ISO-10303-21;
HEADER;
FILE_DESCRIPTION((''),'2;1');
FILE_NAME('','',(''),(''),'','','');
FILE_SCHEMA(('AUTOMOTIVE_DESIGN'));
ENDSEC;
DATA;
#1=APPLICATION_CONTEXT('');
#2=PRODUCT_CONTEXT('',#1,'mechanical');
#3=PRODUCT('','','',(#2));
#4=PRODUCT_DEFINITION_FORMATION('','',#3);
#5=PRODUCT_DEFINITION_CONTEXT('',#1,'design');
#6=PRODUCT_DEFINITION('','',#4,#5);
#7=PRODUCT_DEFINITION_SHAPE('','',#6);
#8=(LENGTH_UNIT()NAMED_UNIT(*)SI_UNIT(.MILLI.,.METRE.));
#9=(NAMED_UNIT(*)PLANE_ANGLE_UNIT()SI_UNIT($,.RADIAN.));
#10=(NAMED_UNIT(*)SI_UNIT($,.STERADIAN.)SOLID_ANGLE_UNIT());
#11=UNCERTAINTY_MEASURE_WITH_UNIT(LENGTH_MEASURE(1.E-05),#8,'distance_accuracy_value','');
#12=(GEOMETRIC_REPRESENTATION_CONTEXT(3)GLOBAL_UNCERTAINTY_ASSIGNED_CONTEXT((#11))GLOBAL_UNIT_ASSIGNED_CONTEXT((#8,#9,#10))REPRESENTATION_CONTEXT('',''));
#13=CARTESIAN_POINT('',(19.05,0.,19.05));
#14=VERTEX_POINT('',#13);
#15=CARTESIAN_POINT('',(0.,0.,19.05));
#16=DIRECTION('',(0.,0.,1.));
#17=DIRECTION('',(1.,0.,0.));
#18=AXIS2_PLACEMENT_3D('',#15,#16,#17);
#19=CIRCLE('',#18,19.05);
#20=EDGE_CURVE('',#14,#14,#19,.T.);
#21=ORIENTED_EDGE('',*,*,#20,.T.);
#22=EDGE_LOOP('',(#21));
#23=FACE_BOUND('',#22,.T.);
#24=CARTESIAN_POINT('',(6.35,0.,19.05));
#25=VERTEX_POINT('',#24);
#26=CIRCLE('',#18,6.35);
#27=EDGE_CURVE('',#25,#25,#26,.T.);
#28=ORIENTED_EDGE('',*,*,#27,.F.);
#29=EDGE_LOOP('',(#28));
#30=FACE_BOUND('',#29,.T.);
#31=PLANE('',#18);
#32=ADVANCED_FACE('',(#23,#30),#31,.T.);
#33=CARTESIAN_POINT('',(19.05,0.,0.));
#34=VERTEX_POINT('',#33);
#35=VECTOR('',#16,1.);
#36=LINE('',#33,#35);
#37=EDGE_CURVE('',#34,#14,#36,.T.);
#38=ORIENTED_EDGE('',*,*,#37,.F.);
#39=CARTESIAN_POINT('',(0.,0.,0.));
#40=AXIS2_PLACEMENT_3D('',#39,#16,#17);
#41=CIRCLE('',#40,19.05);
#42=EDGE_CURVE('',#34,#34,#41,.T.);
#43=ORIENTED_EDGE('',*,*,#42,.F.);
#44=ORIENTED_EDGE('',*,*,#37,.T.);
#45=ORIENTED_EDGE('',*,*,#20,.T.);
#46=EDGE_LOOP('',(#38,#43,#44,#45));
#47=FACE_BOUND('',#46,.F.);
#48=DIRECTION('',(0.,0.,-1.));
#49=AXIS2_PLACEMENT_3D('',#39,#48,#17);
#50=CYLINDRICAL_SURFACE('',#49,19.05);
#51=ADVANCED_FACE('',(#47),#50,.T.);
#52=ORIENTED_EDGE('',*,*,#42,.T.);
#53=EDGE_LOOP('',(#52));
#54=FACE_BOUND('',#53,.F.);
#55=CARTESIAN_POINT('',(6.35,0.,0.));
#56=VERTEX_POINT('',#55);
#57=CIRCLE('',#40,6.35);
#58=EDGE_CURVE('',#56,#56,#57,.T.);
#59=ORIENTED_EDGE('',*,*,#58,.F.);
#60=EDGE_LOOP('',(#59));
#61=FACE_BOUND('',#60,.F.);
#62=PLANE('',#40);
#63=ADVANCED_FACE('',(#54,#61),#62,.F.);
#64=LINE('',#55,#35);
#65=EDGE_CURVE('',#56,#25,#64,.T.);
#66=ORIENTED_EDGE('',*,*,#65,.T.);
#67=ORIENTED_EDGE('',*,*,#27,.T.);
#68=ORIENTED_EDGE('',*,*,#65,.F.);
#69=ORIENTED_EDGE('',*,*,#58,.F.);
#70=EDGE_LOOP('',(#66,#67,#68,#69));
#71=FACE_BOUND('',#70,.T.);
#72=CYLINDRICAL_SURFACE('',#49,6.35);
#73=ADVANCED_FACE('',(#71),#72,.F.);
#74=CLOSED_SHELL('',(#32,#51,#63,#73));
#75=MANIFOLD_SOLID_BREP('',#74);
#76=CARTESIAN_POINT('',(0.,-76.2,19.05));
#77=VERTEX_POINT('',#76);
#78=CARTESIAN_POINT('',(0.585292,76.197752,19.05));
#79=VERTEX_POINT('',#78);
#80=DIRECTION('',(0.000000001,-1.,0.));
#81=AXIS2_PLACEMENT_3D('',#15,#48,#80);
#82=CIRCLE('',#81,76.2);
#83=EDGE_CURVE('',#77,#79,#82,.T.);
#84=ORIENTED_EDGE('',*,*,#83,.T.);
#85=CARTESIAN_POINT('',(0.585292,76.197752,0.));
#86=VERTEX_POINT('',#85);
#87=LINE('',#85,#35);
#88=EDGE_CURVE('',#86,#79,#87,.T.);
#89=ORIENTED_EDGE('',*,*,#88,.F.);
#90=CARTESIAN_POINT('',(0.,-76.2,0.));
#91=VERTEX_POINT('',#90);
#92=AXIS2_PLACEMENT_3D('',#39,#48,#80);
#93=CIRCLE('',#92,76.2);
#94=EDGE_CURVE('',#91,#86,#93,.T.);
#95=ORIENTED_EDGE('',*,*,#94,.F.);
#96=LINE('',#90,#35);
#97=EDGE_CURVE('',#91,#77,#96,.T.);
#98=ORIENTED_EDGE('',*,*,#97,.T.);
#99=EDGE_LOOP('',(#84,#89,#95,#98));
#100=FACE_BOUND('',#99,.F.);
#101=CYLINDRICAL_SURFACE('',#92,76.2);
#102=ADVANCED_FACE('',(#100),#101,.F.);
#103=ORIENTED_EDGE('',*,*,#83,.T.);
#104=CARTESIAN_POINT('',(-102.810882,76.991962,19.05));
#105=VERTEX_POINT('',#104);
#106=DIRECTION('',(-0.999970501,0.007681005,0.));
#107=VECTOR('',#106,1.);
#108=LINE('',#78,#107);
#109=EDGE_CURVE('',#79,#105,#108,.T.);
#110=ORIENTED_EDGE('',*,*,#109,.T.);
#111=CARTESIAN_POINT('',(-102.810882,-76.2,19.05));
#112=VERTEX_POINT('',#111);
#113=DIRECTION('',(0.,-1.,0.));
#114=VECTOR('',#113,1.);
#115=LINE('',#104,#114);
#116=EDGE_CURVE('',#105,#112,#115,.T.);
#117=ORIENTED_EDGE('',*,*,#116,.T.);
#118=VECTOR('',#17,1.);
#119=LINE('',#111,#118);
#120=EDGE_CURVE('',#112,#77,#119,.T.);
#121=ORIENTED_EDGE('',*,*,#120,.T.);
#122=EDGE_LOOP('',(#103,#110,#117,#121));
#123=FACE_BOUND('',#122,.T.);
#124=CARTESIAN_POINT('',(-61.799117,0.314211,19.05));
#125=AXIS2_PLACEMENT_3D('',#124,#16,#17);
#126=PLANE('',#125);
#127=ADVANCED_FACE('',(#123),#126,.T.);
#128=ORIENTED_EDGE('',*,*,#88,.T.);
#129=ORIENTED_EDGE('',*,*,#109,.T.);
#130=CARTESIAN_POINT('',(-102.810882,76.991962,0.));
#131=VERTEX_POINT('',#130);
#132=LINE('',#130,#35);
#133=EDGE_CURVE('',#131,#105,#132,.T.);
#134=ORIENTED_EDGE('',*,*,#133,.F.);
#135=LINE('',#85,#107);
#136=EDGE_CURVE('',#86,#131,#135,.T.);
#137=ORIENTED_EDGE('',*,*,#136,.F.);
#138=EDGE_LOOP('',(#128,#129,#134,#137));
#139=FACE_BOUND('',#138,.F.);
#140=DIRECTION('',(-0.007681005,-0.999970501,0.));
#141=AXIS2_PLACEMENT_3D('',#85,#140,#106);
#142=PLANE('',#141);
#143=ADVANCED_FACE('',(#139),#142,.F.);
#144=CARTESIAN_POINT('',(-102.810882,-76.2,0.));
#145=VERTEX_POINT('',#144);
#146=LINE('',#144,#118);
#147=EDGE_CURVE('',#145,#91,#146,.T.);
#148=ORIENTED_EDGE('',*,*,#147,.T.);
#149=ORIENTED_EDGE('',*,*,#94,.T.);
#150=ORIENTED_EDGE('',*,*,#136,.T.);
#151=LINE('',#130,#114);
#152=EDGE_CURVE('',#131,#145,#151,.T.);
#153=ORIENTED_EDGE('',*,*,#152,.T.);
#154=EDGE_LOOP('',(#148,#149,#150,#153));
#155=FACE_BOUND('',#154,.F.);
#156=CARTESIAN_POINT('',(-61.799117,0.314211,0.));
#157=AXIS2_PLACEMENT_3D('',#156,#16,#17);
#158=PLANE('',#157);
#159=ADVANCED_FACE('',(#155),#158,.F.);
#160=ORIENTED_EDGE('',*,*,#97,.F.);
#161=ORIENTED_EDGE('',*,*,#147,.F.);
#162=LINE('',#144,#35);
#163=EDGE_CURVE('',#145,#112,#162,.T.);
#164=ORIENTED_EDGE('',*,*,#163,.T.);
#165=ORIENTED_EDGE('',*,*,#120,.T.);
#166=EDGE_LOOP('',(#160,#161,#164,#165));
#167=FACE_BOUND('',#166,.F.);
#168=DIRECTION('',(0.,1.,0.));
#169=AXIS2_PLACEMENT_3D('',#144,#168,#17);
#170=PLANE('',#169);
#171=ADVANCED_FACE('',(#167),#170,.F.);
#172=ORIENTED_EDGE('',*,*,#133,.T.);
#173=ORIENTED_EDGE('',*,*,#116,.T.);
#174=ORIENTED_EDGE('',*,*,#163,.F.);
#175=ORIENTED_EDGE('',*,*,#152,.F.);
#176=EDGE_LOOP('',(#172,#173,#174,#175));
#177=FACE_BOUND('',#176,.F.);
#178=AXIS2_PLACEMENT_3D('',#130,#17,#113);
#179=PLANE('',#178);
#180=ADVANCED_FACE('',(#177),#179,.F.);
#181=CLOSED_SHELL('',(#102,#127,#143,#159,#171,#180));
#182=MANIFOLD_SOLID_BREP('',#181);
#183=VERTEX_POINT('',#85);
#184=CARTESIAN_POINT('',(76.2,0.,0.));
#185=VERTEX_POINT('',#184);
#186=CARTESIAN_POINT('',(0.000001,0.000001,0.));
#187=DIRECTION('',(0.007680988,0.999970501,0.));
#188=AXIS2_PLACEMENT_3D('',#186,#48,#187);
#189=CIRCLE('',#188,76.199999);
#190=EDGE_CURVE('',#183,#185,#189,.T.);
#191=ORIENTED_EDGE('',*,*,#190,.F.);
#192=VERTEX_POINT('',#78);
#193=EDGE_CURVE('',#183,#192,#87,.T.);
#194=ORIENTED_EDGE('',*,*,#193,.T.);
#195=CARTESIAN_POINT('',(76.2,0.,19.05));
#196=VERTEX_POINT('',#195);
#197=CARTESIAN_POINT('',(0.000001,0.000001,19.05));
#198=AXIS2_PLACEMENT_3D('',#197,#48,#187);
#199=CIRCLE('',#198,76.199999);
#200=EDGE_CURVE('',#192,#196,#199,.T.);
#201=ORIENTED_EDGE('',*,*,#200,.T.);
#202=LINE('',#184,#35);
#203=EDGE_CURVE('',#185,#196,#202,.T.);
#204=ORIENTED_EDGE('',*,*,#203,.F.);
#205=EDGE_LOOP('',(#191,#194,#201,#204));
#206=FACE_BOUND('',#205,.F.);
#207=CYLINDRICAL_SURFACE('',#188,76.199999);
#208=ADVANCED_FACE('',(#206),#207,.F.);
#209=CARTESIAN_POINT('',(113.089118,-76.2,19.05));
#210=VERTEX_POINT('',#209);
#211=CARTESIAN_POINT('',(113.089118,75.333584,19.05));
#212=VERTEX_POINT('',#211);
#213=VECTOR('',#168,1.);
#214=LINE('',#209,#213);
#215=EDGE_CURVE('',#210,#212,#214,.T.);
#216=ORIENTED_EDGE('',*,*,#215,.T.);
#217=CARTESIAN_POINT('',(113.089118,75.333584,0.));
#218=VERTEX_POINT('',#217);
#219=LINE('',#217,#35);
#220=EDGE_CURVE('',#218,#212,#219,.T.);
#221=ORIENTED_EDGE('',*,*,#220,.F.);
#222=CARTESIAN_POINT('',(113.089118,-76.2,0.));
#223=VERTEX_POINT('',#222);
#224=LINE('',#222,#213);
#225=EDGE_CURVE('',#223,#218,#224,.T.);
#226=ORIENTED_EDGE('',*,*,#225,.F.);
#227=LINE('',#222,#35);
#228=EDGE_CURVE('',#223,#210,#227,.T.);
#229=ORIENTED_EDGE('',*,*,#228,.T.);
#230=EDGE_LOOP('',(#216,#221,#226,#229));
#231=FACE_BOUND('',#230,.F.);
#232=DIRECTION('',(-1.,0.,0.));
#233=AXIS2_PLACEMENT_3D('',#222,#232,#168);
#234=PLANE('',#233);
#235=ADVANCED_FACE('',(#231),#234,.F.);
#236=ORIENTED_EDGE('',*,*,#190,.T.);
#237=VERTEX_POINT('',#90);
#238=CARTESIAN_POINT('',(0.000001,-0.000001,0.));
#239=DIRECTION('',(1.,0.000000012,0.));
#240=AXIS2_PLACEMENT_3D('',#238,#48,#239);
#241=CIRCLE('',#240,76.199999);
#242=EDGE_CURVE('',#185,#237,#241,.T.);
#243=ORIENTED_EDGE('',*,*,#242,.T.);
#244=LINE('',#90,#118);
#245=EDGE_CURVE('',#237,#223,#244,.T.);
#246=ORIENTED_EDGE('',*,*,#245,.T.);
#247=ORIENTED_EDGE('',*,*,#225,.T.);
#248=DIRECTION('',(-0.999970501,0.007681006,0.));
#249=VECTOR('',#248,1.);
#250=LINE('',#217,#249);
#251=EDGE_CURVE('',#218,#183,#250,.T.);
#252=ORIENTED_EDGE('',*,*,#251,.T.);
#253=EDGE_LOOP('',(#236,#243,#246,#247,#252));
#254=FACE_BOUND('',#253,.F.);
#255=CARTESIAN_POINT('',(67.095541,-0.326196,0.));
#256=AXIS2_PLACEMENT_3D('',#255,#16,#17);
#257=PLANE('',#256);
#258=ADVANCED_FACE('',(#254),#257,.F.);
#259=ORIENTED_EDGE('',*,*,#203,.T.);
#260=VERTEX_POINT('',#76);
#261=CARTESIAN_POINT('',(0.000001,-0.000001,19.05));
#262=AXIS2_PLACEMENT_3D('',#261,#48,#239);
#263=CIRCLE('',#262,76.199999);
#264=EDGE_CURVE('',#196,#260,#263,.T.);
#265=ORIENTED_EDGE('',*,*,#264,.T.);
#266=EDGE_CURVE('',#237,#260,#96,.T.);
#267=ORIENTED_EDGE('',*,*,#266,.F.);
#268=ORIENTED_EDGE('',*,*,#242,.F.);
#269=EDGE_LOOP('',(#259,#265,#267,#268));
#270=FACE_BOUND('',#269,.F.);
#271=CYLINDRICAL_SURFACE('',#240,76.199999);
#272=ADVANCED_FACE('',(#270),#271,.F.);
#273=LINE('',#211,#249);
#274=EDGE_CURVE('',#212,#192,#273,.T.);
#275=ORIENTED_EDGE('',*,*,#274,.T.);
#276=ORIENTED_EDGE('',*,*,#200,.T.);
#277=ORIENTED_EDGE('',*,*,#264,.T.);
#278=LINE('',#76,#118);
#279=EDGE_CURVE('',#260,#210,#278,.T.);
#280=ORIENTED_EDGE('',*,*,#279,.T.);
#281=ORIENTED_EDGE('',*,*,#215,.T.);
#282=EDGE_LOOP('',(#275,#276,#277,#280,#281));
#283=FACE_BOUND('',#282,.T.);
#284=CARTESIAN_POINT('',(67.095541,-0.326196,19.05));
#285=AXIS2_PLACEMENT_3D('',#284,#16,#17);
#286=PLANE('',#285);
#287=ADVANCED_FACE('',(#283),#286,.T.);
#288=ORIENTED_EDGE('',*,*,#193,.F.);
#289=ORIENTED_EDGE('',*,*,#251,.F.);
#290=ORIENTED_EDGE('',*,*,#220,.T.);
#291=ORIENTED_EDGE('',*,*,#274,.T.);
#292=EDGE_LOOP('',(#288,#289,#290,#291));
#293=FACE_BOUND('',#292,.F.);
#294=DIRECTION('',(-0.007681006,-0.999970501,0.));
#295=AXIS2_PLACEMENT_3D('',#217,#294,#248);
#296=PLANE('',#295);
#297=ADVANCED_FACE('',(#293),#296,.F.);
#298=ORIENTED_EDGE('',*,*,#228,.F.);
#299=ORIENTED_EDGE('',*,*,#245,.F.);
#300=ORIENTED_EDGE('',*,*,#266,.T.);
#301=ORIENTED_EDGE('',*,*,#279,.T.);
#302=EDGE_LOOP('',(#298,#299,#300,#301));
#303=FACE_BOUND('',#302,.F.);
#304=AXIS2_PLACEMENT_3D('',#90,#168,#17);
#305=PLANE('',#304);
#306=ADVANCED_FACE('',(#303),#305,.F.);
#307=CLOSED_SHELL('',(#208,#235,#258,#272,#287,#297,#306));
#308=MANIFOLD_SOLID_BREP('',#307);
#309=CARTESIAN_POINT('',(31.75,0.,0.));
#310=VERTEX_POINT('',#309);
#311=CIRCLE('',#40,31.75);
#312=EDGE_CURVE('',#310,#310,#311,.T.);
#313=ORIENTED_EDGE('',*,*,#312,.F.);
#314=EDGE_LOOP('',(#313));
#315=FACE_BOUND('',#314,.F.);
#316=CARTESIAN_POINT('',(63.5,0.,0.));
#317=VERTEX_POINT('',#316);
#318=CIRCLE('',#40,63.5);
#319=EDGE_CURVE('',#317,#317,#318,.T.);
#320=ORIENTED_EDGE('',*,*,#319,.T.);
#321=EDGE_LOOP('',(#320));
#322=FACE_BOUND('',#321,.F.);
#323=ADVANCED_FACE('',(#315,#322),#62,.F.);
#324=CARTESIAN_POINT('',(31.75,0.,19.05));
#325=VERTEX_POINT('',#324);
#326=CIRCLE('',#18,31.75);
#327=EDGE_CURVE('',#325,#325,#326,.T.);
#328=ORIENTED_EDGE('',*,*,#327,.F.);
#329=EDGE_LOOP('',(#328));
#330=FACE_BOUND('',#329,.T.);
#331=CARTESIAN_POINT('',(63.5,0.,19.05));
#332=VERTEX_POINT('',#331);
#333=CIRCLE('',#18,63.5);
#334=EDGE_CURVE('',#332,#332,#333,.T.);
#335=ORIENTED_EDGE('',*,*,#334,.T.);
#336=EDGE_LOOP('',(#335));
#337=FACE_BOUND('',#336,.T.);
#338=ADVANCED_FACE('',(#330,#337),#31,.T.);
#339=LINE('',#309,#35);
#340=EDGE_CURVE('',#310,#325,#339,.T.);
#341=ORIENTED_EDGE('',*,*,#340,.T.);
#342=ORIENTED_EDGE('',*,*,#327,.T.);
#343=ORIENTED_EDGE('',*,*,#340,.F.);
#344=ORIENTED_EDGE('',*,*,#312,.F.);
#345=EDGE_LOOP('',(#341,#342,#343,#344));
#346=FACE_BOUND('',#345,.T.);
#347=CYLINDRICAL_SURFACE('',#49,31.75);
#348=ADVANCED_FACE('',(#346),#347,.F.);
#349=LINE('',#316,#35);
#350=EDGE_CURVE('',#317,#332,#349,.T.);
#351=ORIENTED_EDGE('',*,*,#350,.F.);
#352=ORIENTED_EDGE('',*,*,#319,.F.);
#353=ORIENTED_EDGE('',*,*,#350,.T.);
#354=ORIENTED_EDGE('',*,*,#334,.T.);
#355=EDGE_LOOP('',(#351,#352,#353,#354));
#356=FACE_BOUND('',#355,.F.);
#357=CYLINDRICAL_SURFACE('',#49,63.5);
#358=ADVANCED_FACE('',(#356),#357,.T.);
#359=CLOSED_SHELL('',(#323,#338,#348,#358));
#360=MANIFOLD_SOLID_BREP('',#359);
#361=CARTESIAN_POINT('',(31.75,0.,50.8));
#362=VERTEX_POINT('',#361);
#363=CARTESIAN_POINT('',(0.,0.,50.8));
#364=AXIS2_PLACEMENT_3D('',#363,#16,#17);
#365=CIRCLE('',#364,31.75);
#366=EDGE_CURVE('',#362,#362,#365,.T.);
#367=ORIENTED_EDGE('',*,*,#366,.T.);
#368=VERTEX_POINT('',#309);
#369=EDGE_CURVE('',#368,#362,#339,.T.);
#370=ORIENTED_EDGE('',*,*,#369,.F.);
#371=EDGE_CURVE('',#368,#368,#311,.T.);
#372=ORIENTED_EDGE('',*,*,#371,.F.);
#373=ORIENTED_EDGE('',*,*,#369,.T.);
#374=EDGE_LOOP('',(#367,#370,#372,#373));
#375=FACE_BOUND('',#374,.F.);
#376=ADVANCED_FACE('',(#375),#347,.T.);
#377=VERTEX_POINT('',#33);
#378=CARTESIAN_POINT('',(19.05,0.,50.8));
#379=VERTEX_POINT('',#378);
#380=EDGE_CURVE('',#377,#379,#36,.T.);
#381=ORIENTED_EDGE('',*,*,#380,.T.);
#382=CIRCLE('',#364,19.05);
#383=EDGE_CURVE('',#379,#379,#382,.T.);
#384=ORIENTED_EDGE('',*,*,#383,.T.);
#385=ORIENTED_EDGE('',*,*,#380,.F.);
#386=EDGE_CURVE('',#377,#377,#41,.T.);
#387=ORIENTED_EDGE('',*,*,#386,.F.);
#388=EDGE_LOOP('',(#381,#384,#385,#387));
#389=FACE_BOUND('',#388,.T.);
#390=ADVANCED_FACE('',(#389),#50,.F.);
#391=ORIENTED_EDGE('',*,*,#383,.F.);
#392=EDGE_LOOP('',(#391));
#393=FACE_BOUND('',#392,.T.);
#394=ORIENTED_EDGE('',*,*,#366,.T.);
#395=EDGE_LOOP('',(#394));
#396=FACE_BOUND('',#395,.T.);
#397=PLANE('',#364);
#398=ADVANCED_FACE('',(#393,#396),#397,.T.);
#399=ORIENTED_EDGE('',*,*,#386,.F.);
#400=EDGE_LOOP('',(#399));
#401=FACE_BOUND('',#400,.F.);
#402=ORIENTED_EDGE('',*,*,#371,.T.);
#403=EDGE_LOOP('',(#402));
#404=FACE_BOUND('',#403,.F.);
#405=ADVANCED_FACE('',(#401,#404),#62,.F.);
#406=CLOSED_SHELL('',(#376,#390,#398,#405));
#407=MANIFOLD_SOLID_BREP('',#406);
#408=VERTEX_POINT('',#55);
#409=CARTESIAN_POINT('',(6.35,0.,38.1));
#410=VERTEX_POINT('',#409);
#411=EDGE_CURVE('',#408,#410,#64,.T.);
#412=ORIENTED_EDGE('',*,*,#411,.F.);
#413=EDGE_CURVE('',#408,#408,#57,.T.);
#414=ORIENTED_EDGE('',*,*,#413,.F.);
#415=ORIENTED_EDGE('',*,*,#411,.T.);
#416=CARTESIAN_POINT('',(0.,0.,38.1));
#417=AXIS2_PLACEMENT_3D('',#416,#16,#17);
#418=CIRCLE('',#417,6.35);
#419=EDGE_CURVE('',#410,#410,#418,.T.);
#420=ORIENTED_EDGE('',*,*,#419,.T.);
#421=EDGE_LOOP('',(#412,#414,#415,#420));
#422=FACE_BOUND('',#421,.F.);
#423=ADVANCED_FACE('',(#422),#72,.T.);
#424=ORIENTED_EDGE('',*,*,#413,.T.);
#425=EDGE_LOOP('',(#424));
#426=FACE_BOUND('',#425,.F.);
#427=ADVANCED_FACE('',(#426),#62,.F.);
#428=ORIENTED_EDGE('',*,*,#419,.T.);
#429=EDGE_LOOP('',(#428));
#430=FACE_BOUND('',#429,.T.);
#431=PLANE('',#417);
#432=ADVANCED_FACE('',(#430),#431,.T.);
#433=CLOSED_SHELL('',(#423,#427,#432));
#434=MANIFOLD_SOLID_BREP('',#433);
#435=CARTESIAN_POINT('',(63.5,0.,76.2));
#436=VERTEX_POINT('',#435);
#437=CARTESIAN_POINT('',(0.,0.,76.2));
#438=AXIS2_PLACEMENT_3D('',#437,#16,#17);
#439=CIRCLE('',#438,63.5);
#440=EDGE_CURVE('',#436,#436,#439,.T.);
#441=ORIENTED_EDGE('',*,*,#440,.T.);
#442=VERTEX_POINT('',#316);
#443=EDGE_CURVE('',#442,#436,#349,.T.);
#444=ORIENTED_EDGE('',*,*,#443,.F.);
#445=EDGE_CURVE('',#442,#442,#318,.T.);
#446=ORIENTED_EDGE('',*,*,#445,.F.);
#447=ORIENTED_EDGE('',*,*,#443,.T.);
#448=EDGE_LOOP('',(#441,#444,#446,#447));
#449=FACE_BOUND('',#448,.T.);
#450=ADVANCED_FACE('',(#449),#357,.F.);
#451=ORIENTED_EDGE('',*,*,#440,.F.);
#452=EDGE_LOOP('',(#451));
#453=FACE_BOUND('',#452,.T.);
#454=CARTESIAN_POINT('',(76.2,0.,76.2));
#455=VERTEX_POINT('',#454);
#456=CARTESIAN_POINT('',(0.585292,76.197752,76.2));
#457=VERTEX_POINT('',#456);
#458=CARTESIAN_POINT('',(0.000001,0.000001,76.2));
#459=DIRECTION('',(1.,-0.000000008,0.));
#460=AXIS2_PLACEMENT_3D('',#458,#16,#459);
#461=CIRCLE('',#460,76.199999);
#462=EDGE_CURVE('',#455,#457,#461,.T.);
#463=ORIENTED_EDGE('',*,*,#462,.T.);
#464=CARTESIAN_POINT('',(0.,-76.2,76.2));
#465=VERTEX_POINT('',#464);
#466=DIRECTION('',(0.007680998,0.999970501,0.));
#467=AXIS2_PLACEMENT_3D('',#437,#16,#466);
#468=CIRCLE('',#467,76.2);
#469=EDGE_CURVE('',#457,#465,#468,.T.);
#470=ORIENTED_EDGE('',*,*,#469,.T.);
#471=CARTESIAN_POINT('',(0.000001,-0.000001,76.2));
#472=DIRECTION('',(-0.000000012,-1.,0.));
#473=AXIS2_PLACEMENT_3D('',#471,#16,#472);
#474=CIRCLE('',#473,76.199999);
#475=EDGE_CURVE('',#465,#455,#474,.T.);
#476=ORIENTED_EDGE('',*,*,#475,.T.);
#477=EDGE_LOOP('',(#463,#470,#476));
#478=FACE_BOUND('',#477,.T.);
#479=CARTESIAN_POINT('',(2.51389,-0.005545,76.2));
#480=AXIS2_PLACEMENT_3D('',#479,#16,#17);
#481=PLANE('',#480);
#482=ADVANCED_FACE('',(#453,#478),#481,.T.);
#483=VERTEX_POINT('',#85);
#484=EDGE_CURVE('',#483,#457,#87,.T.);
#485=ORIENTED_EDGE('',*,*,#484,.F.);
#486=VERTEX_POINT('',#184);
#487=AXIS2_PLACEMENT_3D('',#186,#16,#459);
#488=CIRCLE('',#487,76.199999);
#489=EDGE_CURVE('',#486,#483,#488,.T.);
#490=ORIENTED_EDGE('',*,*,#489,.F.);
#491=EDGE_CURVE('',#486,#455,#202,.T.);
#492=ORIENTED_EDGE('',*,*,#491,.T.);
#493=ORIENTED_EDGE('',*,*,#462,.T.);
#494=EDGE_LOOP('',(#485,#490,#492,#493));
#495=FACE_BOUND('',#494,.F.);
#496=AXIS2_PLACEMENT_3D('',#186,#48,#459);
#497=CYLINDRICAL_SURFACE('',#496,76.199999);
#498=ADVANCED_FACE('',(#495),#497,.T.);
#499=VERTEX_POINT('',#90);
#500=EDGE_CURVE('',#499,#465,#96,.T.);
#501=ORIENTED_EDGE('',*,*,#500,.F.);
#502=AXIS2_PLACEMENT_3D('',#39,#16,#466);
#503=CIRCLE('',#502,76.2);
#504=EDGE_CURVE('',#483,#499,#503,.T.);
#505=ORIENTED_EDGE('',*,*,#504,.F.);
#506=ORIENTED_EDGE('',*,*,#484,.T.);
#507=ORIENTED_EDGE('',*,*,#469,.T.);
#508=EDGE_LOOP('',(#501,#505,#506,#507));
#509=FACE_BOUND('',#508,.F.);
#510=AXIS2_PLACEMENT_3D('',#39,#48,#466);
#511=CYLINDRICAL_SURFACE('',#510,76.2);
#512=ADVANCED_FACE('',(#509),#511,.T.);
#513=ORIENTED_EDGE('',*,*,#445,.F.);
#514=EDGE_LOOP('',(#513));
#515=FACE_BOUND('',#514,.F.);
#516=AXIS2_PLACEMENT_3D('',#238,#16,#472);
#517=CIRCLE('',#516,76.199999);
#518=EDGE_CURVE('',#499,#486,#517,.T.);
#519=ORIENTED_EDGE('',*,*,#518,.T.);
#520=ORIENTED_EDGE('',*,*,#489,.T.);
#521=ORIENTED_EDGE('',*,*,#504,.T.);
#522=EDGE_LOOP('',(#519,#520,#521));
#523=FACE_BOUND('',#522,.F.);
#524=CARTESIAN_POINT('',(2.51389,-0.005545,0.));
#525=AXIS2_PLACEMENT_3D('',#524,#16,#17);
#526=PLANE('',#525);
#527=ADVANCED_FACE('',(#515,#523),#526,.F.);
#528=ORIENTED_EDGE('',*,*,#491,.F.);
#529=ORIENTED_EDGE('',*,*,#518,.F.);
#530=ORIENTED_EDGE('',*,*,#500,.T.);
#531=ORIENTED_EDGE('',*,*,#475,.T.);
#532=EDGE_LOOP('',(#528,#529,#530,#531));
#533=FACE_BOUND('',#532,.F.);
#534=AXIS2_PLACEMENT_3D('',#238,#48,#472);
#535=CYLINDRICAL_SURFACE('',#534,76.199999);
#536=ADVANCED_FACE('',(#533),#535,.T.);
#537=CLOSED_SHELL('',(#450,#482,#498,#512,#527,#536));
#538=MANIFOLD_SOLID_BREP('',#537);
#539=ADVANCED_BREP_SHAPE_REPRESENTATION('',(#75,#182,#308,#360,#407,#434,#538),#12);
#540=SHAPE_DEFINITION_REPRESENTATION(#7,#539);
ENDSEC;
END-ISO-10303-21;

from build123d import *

# Parameters (mm, degrees)
F0_R     = 63.5
F1_DEPTH = 76.2
F0_R_2   = 31.75
F0_R_3   = 19.05
F2_DEPTH = 50.8
F0_R_4   = 6.35
F3_DEPTH = 38.1
F4_DEPTH = 19.05


with BuildPart() as f1:
    # F0 (on Top) → F1 (new body)
    with BuildSketch(Plane.XY):
        with BuildLine():
            ThreePointArc((0, -76.2), (53.881537, -53.881537), (76.2, 0))
            ThreePointArc((76.2, 0), (54.088073, 53.674206), (0.585292, 76.197752))
            ThreePointArc((0.585292, 76.197752), (-76.199438, 0.292648), (0, -76.2))
        make_face()
        Circle(F0_R, mode=Mode.SUBTRACT)
    extrude(amount=F1_DEPTH)


with BuildPart() as f2:
    # F0 (on Top) → F2 (new body)
    with BuildSketch(Plane.XY):
        Circle(F0_R_2)
        Circle(F0_R_3, mode=Mode.SUBTRACT)
    extrude(amount=F2_DEPTH)


with BuildPart() as f3:
    # F0 (on Top) → F3 (new body)
    with BuildSketch(Plane.XY):
        Circle(F0_R_4)
    extrude(amount=F3_DEPTH)


with BuildPart() as f4:
    # F0 (on Top) → F4 (new body)
    with BuildSketch(Plane.XY):
        with BuildLine():
            ThreePointArc((0, -76.2), (-76.199438, 0.292648), (0.585292, 76.197752))
            Line((0.585292, 76.197752), (-102.810882, 76.991962))
            Line((-102.810882, 76.991962), (-102.810882, -76.2))
            Line((-102.810882, -76.2), (0, -76.2))
        make_face()
        with BuildLine():
            ThreePointArc((0.585292, 76.197752), (54.088073, 53.674206), (76.2, 0))
            ThreePointArc((76.2, 0), (53.881537, -53.881537), (0, -76.2))
            Line((0, -76.2), (113.089118, -76.2))
            Line((113.089118, -76.2), (113.089118, 75.333584))
            Line((113.089118, 75.333584), (0.585292, 76.197752))
        make_face()
        Circle(F0_R)
        Circle(F0_R_2, mode=Mode.SUBTRACT)
        Circle(F0_R_3)
        Circle(F0_R_4, mode=Mode.SUBTRACT)
    extrude(amount=F4_DEPTH)


solid = Compound([f1.part, f2.part, f3.part, f4.part])
